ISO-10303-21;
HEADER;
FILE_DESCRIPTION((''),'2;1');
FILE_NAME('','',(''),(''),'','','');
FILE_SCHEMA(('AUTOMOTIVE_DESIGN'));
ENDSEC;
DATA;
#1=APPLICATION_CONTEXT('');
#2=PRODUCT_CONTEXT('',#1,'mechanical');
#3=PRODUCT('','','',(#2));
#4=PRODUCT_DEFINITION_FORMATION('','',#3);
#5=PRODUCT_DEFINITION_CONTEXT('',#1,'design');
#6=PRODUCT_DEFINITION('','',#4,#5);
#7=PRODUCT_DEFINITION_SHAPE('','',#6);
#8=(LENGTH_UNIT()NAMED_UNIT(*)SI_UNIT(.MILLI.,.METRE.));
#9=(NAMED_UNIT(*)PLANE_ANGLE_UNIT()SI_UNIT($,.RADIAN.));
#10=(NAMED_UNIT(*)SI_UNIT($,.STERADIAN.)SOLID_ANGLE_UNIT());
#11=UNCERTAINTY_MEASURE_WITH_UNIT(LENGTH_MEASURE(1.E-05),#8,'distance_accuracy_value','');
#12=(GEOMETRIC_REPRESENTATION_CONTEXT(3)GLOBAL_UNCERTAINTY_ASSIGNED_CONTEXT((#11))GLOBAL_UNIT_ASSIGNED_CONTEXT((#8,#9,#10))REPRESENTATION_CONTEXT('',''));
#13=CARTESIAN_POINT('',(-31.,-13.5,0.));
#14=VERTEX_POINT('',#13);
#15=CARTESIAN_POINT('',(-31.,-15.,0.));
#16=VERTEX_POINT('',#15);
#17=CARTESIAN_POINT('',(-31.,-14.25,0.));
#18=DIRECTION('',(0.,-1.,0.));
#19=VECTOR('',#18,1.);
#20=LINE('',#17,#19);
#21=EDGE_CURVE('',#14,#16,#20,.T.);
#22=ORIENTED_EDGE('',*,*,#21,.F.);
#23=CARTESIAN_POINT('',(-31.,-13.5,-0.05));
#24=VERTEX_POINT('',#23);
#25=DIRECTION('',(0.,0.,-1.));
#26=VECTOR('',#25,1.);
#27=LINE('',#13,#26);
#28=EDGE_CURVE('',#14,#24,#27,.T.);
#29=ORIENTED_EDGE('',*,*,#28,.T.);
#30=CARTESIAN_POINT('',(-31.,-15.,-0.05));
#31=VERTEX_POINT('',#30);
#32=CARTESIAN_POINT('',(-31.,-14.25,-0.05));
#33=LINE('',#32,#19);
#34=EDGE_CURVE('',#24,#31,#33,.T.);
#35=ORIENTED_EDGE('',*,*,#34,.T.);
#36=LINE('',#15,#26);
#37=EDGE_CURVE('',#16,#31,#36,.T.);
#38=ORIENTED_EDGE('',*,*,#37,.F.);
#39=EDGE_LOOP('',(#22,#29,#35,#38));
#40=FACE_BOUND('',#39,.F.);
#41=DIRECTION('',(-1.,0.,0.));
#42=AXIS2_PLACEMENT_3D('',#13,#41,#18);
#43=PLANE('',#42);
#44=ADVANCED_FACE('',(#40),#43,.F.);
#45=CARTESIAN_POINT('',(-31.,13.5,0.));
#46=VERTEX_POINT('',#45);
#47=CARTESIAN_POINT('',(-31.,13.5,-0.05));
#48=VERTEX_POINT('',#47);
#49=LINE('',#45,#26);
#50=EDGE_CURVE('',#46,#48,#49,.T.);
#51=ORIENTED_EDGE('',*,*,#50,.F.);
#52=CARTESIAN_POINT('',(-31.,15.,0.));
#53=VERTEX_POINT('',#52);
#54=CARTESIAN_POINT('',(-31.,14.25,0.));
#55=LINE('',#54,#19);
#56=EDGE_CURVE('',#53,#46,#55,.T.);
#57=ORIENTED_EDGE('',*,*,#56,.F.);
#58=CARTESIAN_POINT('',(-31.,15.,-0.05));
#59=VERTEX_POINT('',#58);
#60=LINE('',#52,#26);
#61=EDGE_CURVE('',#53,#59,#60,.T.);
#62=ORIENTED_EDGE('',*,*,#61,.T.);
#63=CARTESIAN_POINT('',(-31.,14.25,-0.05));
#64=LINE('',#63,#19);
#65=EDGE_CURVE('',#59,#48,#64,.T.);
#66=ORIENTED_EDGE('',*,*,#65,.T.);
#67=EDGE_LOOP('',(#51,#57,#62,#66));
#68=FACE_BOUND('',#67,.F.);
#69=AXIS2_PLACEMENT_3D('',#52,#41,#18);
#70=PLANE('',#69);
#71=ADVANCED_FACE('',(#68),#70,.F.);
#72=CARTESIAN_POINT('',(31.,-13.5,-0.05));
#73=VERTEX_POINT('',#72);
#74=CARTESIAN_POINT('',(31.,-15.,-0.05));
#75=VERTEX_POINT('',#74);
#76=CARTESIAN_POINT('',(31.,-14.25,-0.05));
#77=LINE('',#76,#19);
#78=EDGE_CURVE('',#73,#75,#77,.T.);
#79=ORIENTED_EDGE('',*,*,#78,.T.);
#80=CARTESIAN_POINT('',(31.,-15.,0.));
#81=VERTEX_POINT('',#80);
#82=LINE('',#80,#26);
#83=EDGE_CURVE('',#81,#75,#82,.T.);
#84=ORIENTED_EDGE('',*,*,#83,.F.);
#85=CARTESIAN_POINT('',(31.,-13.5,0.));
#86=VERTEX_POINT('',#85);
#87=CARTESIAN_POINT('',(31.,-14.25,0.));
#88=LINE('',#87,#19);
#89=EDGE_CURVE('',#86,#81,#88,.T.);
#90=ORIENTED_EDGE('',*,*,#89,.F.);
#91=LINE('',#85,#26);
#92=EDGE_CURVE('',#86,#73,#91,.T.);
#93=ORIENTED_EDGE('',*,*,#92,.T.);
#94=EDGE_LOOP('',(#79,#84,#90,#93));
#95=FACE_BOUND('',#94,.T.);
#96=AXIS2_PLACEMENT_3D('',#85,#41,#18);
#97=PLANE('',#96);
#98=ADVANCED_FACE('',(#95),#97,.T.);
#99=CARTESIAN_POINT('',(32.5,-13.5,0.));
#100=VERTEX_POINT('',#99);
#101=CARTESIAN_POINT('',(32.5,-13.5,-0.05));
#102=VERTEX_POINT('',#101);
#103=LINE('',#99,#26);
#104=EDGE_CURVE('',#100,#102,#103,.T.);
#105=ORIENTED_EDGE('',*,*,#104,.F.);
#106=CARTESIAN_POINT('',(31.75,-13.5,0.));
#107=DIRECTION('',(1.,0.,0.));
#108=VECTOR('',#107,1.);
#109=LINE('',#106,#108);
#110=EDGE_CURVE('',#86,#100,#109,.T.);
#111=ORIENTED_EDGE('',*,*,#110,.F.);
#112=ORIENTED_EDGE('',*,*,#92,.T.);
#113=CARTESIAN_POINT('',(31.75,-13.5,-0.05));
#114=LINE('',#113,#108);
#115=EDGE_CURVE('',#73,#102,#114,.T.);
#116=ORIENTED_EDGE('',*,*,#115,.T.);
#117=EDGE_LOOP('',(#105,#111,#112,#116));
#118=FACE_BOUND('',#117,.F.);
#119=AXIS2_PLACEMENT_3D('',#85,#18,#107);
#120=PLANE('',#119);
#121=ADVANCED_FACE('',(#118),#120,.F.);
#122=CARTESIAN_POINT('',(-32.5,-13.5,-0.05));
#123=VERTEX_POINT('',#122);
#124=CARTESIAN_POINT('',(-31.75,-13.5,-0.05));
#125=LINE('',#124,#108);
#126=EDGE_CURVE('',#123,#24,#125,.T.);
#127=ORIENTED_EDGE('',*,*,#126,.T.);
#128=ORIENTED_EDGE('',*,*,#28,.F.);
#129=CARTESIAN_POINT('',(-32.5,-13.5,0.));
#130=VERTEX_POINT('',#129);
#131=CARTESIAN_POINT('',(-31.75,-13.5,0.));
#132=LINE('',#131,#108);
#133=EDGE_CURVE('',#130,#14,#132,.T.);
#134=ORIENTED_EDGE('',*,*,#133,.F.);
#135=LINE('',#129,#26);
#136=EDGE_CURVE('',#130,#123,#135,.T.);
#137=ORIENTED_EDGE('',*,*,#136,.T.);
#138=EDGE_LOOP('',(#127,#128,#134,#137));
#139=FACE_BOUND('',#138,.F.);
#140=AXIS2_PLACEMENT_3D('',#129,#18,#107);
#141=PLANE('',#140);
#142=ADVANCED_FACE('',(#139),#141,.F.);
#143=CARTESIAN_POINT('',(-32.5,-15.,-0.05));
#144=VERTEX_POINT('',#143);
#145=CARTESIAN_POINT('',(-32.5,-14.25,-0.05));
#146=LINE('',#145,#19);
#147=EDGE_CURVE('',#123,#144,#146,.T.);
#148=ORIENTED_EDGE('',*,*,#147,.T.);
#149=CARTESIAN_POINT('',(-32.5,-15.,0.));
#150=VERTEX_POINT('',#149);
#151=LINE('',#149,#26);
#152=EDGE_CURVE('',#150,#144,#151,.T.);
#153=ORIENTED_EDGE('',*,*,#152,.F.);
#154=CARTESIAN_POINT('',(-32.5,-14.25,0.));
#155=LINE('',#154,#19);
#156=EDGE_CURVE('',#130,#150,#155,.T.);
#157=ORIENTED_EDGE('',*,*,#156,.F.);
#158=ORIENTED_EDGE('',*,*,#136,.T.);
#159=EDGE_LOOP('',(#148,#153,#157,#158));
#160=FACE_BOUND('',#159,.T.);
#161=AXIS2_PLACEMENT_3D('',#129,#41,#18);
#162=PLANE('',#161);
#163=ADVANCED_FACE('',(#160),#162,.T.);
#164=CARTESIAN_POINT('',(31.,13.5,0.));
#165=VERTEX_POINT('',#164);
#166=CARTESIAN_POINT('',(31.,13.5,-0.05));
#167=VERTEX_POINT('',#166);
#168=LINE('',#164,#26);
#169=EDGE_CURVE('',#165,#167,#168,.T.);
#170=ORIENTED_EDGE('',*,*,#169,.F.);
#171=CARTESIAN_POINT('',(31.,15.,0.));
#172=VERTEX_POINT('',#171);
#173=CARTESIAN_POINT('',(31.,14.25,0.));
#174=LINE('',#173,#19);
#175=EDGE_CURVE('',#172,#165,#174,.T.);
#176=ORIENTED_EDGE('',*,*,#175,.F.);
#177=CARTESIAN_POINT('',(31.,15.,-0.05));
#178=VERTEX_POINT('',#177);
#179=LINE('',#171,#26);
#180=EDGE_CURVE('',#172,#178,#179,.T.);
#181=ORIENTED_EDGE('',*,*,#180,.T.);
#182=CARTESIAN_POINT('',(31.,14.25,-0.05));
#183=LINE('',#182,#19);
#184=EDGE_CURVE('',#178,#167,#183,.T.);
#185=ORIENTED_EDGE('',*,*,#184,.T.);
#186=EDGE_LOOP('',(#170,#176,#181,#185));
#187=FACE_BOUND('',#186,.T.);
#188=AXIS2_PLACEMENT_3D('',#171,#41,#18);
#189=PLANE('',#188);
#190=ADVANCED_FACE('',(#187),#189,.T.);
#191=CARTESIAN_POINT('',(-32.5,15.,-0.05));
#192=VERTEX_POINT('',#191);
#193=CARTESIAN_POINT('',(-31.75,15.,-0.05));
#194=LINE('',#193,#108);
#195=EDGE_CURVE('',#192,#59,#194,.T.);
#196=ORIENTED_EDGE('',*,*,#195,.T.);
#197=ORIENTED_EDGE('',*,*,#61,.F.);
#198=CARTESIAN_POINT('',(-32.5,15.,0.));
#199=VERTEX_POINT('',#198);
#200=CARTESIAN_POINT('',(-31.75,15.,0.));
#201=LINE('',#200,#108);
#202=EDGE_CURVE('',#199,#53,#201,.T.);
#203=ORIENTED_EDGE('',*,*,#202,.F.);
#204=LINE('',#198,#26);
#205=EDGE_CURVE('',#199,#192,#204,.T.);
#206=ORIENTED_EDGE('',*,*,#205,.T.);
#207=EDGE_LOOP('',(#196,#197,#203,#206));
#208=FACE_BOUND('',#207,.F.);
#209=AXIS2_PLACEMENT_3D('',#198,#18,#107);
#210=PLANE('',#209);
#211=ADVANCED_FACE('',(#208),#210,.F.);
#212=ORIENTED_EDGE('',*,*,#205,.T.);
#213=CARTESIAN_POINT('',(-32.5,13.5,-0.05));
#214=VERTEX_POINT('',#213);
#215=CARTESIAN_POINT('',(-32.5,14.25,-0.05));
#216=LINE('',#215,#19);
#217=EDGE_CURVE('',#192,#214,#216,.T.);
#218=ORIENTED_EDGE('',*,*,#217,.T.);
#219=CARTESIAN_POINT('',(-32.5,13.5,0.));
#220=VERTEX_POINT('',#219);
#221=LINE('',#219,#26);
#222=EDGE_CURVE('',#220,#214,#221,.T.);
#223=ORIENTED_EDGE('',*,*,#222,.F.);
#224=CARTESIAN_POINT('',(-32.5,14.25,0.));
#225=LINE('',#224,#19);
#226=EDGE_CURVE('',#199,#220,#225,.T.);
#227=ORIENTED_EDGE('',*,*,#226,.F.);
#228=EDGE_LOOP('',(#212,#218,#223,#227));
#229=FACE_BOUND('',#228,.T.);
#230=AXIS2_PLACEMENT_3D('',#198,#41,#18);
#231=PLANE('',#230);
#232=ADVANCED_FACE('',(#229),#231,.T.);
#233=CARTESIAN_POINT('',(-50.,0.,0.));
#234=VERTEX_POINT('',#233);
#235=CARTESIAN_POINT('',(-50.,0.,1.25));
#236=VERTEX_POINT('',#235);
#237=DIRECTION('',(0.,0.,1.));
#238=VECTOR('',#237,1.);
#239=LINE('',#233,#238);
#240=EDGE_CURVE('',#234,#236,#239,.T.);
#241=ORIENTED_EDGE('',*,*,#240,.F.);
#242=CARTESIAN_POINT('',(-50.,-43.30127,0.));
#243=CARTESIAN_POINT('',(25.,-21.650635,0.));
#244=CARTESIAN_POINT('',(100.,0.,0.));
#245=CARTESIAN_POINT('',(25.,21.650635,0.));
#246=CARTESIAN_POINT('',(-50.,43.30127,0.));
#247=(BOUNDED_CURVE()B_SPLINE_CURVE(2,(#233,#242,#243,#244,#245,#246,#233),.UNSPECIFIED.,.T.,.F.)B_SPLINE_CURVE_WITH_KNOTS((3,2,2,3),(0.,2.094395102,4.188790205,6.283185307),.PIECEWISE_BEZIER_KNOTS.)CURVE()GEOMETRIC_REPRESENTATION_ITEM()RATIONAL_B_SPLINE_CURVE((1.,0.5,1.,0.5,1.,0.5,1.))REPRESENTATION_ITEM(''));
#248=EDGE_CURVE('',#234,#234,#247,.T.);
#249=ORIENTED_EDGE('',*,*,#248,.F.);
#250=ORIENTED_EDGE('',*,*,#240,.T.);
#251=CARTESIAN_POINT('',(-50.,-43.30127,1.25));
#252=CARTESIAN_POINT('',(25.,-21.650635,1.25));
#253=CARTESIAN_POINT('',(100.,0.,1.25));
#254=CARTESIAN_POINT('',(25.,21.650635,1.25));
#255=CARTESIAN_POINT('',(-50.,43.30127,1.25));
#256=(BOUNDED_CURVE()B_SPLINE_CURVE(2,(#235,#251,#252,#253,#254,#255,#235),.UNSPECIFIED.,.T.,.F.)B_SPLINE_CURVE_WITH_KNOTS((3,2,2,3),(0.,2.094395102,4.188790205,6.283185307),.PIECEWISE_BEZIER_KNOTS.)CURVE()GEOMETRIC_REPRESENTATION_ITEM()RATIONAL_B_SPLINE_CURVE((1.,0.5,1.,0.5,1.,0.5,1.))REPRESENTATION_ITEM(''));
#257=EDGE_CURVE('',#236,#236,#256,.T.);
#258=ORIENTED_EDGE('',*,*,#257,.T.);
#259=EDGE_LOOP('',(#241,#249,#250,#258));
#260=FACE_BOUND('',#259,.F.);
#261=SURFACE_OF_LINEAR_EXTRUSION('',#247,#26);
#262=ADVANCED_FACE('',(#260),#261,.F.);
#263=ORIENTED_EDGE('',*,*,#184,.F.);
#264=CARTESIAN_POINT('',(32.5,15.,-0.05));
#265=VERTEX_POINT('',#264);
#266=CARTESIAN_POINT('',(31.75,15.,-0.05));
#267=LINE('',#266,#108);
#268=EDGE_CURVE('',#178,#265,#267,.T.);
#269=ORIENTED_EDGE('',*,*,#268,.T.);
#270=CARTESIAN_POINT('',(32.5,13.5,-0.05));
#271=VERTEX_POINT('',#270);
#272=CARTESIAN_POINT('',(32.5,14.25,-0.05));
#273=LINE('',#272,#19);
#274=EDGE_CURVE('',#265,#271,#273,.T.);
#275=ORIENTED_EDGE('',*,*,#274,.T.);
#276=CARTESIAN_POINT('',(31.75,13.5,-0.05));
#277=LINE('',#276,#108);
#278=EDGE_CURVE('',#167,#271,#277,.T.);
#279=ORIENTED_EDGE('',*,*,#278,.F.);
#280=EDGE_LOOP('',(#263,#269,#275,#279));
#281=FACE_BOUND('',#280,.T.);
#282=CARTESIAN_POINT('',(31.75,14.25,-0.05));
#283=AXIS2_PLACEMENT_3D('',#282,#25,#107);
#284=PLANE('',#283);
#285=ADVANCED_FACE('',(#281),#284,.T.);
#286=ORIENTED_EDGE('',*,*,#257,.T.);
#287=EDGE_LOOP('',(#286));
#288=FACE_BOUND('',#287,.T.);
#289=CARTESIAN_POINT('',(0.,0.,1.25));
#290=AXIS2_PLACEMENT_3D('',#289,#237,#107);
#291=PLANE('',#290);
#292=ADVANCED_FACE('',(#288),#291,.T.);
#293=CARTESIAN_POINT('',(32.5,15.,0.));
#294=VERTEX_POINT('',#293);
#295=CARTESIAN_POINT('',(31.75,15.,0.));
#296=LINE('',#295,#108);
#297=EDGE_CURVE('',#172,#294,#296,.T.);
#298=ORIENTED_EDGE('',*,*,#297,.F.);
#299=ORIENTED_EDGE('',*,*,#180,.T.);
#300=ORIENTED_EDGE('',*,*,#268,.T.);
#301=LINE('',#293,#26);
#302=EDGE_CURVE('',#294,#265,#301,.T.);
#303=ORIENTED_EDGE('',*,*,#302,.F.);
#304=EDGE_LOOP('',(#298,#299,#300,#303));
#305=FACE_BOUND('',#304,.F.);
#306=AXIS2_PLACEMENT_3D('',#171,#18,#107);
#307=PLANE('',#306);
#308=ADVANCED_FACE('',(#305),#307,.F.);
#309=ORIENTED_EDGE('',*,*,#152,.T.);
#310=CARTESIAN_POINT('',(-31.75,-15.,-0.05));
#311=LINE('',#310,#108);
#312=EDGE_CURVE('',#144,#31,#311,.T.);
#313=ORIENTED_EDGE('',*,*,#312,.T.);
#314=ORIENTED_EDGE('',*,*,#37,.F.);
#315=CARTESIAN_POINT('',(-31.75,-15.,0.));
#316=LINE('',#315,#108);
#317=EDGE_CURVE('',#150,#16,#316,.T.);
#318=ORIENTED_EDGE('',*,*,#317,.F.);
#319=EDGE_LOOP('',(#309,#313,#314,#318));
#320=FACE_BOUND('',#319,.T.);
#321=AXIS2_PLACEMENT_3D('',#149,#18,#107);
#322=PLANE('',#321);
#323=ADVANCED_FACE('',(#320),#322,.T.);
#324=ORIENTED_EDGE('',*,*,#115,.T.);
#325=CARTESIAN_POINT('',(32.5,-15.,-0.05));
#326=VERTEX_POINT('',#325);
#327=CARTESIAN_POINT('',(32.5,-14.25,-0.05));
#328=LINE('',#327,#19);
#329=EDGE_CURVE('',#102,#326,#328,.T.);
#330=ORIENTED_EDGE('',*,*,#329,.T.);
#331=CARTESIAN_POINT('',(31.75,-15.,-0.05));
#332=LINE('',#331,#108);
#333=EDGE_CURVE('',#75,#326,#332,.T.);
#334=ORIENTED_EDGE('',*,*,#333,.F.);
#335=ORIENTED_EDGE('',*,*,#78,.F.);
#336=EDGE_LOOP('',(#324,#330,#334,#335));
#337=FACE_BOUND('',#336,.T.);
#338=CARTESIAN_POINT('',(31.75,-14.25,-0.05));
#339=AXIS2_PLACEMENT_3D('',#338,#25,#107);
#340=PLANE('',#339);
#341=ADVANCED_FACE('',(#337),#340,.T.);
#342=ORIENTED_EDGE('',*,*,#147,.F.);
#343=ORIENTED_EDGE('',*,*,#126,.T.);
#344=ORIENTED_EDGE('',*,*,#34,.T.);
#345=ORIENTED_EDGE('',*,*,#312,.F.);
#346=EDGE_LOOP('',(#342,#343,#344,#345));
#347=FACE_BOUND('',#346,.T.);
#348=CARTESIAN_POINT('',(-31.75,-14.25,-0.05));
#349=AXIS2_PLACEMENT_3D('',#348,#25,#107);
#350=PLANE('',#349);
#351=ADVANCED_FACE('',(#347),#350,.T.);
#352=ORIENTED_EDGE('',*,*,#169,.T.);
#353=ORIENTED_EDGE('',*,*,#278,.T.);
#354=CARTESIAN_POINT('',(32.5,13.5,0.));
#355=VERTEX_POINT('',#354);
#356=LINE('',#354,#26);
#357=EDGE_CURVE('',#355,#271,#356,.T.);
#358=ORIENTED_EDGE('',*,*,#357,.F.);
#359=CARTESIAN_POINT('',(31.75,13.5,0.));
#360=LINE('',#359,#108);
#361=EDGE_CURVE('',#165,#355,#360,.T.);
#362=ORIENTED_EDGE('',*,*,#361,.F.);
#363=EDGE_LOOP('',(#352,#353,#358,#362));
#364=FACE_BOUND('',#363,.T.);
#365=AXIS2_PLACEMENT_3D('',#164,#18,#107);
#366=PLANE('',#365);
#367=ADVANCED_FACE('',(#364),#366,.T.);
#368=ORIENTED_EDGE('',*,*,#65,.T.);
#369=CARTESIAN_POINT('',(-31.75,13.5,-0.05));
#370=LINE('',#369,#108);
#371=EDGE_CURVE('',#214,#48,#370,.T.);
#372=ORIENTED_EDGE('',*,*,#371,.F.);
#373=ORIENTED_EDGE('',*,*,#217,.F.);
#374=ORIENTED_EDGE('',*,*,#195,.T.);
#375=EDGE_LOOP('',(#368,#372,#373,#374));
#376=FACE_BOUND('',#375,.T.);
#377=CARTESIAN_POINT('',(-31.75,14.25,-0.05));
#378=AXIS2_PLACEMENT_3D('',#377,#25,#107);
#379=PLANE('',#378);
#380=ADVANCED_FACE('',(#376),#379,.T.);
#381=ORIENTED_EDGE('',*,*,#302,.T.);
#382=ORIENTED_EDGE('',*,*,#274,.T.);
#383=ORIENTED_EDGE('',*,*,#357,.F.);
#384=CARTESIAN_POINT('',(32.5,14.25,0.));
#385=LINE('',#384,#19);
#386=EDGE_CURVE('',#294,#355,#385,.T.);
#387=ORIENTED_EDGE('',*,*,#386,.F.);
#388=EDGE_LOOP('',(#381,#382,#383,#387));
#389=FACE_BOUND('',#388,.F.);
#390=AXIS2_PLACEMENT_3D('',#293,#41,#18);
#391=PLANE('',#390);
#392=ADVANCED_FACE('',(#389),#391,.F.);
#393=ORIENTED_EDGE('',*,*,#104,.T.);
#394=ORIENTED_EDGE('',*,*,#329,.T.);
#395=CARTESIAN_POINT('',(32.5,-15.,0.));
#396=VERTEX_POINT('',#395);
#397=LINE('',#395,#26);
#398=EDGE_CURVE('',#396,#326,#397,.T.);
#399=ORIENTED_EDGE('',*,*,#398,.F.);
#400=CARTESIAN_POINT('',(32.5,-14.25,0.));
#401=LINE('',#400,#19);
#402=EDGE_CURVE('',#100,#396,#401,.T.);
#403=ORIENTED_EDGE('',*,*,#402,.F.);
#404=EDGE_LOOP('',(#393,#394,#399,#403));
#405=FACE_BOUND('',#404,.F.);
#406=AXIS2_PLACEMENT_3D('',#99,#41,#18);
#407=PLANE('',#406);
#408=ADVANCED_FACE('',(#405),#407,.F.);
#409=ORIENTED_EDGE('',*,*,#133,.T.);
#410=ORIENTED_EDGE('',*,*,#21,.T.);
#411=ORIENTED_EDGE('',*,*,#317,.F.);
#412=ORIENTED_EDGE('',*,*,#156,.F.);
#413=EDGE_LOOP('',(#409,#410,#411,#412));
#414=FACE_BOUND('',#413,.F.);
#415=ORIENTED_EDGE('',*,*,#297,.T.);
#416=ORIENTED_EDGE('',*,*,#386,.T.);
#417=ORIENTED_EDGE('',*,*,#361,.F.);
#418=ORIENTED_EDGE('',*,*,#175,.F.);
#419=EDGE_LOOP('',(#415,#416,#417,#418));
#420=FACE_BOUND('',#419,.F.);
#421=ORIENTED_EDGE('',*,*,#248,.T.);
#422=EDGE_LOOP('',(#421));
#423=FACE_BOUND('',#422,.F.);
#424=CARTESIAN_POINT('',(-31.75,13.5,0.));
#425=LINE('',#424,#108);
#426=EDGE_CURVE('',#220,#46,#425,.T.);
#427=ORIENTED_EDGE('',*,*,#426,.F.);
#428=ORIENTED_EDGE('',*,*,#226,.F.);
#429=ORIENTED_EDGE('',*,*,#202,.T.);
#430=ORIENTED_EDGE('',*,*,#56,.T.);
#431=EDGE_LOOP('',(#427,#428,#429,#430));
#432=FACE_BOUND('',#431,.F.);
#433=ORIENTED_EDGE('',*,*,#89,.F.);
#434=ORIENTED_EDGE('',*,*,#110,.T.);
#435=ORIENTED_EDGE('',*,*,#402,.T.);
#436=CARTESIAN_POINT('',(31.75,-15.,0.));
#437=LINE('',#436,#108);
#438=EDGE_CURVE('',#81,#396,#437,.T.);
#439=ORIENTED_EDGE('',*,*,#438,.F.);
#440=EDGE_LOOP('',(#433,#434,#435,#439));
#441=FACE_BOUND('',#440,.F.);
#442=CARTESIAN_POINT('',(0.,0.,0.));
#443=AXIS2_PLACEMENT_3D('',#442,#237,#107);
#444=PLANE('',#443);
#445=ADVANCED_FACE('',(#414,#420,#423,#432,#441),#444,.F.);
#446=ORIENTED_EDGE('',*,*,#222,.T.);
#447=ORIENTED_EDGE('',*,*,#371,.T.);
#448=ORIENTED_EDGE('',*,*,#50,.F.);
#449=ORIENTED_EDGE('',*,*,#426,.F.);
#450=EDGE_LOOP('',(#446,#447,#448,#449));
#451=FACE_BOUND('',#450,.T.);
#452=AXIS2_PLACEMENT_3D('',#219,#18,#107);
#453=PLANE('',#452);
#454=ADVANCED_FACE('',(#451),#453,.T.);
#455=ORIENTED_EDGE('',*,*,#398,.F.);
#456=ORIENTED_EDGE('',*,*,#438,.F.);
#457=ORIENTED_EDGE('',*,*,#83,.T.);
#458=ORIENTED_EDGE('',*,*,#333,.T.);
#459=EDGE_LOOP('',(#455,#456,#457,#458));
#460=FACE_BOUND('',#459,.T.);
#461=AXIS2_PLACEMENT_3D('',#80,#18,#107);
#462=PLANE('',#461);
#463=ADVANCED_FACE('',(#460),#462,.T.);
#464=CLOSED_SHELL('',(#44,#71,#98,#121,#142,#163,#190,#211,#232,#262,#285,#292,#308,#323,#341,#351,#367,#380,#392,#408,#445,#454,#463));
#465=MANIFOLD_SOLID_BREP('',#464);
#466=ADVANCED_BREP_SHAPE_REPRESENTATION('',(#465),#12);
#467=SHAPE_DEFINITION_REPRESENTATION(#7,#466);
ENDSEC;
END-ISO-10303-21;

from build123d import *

# Parameters (mm, degrees)
F1_DEPTH = 25
F2_W     = 30
F2_H     = 30
F3_DEPTH = 1
F4_SCALE = 0.05


with BuildPart() as f1:
    # F0 (on Top) → F1 (new body)
    with BuildSketch(Plane.XY):
        with BuildLine():
            add(Edge.make_bspline(
                [(-1000, 0), (-1000, -866.0254037844), (500, -433.0127018922), (2000, 0), (500, 433.0127018922), (-1000, 866.0254037844), (-1000, 0)],
                knots=[0, 0, 0, 2.0943951024, 2.0943951024, 4.1887902048, 4.1887902048, 6.2831853072, 6.2831853072, 6.2831853072], degree=2, weights=[1, 0.5, 1, 0.5, 1, 0.5, 1]))
        make_face()
    extrude(amount=F1_DEPTH)

    # F2 (on face) → F3 (join)
    with BuildSketch(Plane(origin=(0, 0, 0), x_dir=(1, 0, 0), z_dir=(0, 0, -1))):
        with Locations((635, 285)):
            Rectangle(F2_W, F2_H)
        with Locations((635, -285)):
            Rectangle(F2_W, F2_H)
        with Locations((-635, -285)):
            Rectangle(F2_W, F2_H)
        with Locations((-635, 285)):
            Rectangle(F2_W, F2_H)
    extrude(amount=F3_DEPTH)


with BuildPart() as f1_1:
    # F4: moved
    add(f1.part.scale(F4_SCALE))


solid = f1_1.part
